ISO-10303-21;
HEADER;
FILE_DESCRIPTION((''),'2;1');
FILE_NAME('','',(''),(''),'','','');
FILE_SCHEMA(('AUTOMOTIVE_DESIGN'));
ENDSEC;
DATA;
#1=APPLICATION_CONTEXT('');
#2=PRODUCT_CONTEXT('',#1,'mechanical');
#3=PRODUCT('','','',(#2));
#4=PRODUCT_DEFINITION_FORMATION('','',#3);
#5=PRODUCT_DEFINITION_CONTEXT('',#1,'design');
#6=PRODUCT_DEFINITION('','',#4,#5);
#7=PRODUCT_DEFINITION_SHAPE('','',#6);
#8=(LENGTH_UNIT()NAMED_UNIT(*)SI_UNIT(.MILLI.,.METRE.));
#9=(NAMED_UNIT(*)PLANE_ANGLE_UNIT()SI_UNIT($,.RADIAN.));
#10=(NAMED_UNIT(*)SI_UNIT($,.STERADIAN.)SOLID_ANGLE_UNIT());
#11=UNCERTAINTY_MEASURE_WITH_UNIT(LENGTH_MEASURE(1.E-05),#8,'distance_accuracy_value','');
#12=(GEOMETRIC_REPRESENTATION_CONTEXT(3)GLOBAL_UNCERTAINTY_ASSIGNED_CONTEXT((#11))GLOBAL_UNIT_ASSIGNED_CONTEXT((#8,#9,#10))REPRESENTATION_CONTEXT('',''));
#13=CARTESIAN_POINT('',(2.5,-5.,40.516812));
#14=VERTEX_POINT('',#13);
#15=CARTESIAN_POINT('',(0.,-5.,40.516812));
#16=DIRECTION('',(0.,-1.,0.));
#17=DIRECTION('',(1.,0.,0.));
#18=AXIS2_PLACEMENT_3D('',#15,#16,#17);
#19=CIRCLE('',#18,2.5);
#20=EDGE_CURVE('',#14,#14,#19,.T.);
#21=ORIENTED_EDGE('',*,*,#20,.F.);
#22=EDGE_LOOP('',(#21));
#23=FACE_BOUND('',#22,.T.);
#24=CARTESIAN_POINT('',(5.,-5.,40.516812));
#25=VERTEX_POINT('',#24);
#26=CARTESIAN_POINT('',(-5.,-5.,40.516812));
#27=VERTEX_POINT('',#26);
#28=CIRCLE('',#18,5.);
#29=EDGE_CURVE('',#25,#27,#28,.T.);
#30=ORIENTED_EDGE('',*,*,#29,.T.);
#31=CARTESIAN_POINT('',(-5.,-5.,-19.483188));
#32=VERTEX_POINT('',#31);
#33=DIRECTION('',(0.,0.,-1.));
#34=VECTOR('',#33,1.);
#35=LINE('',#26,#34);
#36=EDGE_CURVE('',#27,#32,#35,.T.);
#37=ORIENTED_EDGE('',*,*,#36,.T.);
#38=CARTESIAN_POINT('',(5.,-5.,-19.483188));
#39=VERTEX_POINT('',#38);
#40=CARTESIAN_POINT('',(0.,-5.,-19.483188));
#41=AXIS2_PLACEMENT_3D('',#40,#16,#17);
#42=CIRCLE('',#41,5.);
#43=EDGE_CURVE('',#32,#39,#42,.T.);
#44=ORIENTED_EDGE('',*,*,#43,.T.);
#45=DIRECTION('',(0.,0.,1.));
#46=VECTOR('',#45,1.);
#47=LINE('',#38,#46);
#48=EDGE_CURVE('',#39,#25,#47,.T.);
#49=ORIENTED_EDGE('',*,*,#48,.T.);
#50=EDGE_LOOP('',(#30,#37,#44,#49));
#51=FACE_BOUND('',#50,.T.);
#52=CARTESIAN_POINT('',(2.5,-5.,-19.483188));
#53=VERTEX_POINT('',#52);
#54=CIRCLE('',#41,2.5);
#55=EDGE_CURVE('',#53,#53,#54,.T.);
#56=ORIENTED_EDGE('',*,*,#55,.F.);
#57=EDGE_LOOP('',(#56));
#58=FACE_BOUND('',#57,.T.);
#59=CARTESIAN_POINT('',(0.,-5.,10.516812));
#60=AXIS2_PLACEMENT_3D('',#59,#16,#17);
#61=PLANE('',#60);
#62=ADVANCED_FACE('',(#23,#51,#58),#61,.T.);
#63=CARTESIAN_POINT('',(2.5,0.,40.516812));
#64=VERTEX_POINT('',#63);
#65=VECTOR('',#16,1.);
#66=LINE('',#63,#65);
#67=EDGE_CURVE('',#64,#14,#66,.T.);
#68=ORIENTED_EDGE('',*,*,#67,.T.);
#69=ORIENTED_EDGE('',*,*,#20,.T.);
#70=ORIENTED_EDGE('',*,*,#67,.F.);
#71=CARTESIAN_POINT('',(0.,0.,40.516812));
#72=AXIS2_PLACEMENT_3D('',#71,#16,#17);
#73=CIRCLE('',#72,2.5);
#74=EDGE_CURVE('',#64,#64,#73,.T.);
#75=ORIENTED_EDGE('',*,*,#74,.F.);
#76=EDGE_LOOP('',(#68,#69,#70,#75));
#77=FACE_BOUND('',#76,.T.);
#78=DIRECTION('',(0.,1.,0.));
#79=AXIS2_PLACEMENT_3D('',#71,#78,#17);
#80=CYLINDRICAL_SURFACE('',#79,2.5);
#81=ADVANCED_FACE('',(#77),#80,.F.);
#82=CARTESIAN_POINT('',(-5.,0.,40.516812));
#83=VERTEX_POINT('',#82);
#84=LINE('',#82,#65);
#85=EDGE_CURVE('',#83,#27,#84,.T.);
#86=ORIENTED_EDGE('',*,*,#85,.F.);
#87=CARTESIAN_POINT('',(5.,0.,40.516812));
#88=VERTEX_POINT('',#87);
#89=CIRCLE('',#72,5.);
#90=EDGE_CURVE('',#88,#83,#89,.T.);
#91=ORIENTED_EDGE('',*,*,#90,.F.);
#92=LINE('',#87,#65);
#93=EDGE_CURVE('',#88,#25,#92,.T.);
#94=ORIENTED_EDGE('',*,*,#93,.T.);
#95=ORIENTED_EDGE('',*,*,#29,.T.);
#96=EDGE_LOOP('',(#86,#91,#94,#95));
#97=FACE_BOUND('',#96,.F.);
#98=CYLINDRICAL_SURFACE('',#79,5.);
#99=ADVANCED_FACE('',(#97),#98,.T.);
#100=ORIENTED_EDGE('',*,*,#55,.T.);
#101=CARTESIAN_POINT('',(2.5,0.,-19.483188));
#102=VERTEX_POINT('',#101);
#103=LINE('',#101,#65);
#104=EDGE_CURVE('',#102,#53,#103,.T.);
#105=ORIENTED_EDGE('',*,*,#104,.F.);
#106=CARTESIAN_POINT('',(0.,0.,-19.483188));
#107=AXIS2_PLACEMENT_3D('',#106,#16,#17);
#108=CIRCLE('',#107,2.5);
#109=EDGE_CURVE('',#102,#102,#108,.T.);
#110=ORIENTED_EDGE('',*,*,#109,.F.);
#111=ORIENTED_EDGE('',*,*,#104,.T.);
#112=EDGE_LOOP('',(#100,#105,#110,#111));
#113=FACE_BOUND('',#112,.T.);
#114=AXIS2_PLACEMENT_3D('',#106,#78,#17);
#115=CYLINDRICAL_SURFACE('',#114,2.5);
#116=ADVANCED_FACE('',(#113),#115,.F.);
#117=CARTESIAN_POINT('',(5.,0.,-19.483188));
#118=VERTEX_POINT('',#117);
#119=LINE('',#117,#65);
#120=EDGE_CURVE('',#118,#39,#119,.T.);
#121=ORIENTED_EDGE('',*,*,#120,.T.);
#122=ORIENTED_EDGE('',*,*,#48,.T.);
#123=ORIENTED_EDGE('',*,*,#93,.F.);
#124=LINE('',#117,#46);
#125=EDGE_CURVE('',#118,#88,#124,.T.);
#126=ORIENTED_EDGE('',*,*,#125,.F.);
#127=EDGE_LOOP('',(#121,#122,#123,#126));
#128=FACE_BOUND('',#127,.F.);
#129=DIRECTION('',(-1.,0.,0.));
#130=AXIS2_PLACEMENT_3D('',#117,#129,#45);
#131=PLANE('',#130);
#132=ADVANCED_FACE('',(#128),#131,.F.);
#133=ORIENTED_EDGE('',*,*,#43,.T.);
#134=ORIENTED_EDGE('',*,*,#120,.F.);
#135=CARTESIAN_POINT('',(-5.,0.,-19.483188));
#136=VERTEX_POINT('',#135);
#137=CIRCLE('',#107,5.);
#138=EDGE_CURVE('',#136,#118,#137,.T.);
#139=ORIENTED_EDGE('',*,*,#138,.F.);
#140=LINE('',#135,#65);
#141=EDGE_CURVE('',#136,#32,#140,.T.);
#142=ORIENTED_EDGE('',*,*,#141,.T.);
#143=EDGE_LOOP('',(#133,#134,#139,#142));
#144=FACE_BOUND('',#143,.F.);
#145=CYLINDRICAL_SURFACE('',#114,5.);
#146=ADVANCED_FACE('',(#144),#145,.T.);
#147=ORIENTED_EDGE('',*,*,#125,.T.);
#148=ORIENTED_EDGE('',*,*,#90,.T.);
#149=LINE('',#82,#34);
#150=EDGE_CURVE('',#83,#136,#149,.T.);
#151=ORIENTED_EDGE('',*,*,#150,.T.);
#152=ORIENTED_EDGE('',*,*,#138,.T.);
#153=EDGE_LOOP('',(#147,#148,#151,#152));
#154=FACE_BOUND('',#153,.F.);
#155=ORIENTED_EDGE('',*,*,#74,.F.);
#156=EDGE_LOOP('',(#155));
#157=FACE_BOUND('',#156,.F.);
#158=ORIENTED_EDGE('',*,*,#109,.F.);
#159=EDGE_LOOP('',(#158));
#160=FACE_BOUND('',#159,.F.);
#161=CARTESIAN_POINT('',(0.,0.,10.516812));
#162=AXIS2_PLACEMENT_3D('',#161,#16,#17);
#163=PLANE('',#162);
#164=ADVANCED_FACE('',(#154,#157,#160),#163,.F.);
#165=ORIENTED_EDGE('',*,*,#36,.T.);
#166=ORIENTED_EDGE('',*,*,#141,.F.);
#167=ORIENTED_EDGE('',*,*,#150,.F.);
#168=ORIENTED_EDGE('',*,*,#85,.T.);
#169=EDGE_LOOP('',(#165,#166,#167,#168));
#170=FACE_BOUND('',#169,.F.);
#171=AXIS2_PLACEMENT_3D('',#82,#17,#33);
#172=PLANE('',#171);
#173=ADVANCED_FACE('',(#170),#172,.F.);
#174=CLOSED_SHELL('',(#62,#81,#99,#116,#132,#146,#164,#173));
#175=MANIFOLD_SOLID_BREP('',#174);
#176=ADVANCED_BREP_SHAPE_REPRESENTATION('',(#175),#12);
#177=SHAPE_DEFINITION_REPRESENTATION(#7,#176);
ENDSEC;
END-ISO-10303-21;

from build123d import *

# Parameters (mm, degrees)
F0_R     = 2.5
F1_DEPTH = 5


with BuildPart() as f1:
    # F0 (on Front) → F1 (new body)
    with BuildSketch(Plane.XZ):
        with BuildLine():
            ThreePointArc((-5, -19.483188), (0, -14.483188), (5, -19.483188))
            Line((5, -19.483188), (5, 40.516812))
            ThreePointArc((5, 40.516812), (0, 35.516812), (-5, 40.516812))
            Line((-5, 40.516812), (-5, -19.483188))
        make_face()
        with BuildLine():
            ThreePointArc((-5, 40.516812), (0, 35.516812), (5, 40.516812))
            ThreePointArc((5, 40.516812), (0, 45.516812), (-5, 40.516812))
        make_face()
        with Locations((0, 40.516812)):
            Circle(F0_R, mode=Mode.SUBTRACT)
        with BuildLine():
            ThreePointArc((-5, -19.483188), (0, -24.483188), (5, -19.483188))
            ThreePointArc((5, -19.483188), (0, -14.483188), (-5, -19.483188))
        make_face()
        with Locations((0, -19.483188)):
            Circle(F0_R, mode=Mode.SUBTRACT)
    extrude(amount=F1_DEPTH)


solid = f1.part
